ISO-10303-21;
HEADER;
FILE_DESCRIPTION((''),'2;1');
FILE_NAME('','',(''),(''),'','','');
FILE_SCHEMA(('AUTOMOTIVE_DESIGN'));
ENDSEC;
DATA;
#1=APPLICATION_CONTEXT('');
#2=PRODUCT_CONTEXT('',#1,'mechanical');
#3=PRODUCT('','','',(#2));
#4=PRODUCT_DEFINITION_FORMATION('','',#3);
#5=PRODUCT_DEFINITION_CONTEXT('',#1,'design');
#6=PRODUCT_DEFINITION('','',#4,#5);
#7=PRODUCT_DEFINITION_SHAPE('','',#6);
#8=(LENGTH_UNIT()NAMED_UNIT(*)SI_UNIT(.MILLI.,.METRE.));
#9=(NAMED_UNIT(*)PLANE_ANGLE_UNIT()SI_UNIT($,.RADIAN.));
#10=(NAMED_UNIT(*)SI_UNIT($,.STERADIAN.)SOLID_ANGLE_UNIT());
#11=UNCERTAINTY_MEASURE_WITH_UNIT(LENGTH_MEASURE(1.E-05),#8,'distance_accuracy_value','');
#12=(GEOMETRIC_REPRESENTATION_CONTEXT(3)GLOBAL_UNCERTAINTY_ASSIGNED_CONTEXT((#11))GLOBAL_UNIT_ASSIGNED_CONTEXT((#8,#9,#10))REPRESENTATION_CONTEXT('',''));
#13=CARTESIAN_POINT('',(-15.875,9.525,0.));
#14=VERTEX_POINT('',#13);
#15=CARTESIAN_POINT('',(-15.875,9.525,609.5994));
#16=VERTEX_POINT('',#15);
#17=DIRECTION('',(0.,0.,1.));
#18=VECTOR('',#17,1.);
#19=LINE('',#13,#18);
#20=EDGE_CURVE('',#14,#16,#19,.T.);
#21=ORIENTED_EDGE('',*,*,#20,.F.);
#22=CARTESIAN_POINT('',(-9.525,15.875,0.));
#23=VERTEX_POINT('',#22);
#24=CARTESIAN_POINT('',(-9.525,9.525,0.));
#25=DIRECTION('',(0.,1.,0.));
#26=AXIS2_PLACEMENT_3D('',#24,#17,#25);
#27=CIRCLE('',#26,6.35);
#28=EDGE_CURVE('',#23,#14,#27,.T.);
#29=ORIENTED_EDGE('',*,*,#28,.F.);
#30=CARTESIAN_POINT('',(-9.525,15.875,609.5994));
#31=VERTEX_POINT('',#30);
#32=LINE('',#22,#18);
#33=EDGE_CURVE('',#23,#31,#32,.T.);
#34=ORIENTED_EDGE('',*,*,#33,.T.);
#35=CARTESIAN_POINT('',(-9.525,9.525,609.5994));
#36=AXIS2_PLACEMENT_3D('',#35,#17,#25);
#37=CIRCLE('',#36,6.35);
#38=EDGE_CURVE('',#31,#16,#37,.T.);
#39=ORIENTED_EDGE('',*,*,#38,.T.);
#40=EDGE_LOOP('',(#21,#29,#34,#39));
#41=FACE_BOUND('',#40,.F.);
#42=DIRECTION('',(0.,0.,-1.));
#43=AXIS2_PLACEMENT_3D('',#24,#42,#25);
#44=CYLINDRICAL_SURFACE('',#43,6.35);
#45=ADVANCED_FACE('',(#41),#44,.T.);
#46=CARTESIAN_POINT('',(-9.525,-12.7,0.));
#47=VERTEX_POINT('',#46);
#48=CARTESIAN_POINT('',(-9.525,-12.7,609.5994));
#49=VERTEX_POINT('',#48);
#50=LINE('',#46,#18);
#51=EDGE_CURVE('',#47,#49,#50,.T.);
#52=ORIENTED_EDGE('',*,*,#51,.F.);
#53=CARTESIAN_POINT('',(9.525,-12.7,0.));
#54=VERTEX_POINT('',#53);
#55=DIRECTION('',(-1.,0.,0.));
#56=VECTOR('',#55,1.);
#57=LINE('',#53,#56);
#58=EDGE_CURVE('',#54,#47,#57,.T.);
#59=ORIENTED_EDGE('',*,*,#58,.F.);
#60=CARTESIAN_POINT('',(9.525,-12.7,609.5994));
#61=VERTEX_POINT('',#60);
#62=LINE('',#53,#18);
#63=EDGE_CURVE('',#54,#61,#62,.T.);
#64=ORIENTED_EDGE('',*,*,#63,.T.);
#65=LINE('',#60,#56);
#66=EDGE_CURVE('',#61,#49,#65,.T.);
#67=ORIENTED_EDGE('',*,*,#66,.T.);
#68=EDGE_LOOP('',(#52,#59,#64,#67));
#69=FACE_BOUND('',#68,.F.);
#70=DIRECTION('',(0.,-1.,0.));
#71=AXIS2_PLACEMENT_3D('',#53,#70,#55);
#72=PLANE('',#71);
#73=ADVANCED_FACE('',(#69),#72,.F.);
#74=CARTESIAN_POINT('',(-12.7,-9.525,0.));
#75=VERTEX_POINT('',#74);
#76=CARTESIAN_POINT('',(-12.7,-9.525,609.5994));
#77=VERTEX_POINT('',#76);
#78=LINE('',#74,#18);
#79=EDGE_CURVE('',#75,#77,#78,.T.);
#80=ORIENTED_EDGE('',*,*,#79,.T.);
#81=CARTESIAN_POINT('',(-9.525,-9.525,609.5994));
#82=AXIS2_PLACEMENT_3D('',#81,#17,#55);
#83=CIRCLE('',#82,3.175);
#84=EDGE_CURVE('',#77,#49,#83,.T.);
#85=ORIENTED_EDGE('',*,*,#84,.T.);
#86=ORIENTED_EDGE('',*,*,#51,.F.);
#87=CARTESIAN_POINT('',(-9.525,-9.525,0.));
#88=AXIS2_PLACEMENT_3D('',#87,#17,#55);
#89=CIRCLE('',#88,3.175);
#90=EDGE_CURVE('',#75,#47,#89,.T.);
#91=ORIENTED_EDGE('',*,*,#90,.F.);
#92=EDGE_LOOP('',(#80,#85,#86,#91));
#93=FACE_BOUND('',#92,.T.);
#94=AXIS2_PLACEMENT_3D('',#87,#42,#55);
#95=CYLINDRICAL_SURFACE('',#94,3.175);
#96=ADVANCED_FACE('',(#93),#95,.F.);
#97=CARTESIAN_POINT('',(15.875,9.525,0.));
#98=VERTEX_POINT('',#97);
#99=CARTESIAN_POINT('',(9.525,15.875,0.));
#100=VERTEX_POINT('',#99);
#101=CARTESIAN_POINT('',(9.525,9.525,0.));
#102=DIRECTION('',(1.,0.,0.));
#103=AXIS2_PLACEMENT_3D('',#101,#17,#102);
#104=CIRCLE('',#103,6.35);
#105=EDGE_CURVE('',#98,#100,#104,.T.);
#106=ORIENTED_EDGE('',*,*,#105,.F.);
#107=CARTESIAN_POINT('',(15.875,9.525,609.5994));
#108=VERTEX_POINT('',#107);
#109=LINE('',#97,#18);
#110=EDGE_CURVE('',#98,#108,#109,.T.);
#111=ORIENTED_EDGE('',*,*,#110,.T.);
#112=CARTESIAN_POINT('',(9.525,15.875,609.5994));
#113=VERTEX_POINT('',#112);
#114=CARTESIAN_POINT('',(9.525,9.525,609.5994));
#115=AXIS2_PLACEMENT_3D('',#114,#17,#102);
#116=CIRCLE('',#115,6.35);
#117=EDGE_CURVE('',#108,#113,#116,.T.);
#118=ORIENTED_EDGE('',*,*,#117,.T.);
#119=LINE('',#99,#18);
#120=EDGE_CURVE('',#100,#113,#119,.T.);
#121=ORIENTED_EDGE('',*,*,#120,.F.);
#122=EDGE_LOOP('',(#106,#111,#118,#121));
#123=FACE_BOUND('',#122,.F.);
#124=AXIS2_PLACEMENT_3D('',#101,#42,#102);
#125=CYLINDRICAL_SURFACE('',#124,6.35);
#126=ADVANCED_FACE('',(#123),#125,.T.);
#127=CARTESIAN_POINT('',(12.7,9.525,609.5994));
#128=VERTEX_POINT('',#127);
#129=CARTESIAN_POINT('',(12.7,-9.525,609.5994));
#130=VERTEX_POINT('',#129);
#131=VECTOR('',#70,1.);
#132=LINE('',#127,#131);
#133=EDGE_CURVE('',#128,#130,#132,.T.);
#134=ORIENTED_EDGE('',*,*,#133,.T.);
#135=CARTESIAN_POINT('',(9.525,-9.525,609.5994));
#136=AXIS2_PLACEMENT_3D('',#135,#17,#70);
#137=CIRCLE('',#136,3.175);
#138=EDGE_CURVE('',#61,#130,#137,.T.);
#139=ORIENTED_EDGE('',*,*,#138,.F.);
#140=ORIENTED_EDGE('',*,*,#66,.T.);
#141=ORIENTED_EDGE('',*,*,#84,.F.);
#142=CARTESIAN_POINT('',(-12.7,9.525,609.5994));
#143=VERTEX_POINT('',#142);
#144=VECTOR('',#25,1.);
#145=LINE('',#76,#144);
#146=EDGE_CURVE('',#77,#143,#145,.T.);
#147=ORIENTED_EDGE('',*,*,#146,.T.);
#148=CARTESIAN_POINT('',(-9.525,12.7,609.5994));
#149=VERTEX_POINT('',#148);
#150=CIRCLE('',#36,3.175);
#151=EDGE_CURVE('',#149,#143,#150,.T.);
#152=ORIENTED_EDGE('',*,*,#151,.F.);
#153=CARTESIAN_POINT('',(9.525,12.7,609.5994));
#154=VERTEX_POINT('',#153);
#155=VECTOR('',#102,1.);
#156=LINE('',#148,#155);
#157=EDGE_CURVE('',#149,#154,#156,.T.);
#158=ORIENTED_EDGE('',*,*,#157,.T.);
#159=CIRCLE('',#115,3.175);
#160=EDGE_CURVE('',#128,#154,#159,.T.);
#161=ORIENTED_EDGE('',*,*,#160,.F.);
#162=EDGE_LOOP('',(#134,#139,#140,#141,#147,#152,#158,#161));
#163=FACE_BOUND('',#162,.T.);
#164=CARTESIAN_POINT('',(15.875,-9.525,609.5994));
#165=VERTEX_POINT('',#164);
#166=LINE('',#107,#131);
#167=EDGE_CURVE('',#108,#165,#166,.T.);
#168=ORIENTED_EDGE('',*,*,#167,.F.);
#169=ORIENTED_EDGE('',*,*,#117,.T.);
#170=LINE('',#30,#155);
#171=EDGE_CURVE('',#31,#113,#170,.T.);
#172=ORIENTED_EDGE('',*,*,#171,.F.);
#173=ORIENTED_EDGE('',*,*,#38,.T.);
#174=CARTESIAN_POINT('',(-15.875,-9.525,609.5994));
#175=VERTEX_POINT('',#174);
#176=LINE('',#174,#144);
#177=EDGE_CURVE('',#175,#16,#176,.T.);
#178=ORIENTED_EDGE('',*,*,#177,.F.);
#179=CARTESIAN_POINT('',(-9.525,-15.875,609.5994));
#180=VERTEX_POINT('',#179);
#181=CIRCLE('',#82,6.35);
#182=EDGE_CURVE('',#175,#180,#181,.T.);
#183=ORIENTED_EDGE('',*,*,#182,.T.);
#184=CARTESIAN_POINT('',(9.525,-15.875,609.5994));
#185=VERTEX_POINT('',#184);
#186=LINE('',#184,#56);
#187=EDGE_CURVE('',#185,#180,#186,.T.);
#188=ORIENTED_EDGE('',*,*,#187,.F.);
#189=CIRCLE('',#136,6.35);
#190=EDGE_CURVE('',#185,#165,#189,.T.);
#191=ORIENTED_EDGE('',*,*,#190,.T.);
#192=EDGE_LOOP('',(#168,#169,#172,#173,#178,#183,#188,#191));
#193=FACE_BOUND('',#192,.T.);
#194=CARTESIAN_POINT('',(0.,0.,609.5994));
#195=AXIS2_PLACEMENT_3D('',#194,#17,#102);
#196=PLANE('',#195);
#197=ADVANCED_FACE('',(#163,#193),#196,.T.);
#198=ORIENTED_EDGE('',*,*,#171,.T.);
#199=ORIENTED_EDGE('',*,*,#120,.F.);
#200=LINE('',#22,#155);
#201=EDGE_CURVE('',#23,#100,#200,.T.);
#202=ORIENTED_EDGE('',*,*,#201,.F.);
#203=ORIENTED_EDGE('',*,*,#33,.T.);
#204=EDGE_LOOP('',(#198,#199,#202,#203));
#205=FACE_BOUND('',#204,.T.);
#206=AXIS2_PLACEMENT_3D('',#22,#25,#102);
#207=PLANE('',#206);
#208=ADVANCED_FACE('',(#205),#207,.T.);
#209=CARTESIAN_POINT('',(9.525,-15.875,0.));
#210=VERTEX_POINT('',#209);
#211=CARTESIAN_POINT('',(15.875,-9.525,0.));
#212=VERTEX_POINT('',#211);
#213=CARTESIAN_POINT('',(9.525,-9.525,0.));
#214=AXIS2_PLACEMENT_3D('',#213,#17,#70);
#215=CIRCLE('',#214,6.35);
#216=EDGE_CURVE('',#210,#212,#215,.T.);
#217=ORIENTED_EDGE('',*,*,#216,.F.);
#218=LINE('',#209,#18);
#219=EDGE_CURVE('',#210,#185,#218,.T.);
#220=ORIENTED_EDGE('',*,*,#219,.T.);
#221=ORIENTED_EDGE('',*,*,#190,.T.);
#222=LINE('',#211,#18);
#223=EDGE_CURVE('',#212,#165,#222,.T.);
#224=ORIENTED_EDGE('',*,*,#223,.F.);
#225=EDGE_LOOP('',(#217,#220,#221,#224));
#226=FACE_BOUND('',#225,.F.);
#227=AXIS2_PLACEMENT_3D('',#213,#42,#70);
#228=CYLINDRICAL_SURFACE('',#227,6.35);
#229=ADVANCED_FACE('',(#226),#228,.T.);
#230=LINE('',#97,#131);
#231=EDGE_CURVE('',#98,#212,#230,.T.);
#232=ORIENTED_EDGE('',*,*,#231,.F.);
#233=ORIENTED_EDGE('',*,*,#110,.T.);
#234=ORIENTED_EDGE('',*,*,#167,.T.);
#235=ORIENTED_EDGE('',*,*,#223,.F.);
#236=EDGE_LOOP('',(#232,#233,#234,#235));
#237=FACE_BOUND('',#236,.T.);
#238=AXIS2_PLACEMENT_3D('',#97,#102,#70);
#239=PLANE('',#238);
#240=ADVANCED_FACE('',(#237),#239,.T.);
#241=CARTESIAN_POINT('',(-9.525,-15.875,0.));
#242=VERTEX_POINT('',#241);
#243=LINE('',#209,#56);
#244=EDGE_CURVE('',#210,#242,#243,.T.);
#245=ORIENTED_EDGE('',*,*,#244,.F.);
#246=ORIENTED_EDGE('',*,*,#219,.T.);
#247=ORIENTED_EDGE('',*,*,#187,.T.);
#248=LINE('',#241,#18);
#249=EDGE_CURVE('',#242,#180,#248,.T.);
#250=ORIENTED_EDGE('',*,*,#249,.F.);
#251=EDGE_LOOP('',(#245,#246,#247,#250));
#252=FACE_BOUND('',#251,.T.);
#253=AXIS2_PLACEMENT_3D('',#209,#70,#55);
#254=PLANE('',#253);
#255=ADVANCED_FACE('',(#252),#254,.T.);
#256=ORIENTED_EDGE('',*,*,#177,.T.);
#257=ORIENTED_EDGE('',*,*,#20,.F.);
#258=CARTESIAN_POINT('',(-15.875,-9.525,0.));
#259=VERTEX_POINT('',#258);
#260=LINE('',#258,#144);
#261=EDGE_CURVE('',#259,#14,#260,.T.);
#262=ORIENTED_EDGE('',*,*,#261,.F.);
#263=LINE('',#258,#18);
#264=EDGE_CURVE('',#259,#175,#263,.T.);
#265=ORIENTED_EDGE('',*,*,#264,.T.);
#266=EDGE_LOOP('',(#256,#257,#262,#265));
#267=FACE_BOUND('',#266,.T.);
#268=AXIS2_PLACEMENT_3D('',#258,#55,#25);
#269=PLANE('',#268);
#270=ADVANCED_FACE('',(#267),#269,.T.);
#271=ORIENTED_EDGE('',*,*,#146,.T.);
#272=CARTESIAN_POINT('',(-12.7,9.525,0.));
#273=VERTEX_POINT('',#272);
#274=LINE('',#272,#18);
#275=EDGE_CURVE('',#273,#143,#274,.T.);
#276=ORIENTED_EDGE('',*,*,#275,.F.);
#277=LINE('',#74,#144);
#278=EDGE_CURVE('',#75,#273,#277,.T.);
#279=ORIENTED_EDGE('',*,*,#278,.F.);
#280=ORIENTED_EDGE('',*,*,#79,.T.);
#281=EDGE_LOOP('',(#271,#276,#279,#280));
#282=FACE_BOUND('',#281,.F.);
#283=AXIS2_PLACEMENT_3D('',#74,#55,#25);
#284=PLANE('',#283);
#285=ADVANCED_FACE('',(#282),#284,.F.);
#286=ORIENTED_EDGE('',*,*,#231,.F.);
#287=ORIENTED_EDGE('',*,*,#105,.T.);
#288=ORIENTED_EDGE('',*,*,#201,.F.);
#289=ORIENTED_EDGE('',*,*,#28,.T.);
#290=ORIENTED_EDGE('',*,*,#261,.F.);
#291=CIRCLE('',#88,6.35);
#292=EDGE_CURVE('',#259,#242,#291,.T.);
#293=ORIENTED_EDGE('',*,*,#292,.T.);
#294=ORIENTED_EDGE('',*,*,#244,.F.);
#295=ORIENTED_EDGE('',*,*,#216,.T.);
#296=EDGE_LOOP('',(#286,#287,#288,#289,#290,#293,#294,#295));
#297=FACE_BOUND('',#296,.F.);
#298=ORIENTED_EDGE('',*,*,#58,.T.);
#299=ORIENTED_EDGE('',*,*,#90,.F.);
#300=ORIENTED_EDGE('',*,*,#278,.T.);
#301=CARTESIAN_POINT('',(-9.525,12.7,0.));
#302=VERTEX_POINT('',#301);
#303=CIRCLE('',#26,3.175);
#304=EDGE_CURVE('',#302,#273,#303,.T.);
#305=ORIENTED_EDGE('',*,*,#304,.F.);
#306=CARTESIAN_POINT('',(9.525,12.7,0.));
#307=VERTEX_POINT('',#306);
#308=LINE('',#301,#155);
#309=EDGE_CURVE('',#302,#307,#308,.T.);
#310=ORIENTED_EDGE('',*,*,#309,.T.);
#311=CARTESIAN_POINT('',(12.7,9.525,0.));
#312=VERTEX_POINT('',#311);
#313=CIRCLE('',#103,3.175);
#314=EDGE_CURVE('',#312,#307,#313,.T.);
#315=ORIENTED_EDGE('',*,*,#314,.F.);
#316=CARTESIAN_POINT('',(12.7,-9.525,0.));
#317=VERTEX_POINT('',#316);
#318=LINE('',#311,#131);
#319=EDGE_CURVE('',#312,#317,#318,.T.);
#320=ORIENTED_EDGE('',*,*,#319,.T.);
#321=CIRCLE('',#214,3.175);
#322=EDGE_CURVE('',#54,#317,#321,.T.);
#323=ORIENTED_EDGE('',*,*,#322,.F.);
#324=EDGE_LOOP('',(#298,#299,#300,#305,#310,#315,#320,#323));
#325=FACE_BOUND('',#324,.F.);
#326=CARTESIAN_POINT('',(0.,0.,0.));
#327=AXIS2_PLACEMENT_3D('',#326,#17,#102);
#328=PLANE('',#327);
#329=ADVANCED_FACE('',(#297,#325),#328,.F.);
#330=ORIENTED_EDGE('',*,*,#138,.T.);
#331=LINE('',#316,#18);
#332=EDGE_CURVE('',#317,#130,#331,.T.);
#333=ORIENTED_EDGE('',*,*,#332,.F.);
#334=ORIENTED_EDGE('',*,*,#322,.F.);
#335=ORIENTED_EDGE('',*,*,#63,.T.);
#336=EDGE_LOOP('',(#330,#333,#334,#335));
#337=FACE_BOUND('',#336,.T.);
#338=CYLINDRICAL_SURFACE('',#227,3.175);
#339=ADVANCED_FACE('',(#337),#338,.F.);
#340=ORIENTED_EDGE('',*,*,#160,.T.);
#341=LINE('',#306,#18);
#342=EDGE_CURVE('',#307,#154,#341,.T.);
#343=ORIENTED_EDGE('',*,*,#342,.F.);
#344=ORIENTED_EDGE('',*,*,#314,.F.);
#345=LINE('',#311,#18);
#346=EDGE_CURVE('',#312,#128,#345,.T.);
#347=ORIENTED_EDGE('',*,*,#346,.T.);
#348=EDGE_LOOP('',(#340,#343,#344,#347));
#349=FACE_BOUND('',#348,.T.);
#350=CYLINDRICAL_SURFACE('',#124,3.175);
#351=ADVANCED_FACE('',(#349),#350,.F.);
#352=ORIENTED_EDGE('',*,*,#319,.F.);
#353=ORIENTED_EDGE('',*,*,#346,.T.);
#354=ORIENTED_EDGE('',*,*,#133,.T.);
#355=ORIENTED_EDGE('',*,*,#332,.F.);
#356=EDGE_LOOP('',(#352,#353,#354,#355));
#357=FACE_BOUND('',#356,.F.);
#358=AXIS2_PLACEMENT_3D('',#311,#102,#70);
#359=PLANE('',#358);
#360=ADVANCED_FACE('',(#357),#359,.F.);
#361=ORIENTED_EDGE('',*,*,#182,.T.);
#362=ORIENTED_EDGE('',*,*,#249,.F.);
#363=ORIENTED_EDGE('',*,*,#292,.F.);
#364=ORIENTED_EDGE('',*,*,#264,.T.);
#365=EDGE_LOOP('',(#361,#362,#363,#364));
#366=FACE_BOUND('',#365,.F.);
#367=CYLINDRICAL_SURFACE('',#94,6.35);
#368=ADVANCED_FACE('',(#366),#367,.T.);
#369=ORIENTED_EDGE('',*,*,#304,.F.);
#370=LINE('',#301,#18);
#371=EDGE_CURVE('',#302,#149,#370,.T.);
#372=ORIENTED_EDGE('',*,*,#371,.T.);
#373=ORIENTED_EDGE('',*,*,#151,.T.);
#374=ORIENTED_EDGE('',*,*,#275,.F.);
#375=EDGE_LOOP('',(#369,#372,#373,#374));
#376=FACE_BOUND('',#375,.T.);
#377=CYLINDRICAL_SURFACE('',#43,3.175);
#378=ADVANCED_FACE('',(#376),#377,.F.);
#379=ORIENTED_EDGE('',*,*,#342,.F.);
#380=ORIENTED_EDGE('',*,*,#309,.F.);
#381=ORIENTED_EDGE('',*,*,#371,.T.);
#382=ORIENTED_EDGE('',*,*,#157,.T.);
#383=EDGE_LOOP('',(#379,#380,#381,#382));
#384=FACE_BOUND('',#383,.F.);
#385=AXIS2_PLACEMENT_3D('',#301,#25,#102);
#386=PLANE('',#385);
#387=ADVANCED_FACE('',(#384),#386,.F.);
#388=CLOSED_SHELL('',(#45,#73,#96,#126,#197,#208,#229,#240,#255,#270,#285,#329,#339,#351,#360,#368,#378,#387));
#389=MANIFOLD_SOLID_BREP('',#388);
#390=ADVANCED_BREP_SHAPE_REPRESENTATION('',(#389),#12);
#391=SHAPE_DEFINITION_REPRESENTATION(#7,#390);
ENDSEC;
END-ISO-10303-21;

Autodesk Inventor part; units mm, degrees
ref_plane "YZ Plane" through (0, 0, 0) normal (1, 0, 0) x (0, 1, 0)
ref_plane "Start plane" through (0, 0, 0) normal (0, 0, 1) x (1, 0, 0)
ref_plane "End plane" through (0, 0, 609.5994) normal (0, 0, 1) x (1, 0, 0)
sketch "Sketch" plane through (0, 0, 0) normal (0, 0, 1) x (1, 0, 0)
  line L0 (-15.875, -9.525) -> (-15.875, 9.525)
  line L1 (-9.525, 15.875) -> (9.525, 15.875)
  line L2 (15.875, 9.525) -> (15.875, -9.525)
  line L3 (9.525, -15.875) -> (-9.525, -15.875)
  arc A0 (-15.875, -9.525) -> (-9.525, -15.875) centre (-9.525, -9.525) ccw
  arc A1 (-9.525, 15.875) -> (-15.875, 9.525) centre (-9.525, 9.525) ccw
  arc A2 (15.875, 9.525) -> (9.525, 15.875) centre (9.525, 9.525) ccw
  arc A3 (9.525, -15.875) -> (15.875, -9.525) centre (9.525, -9.525) ccw
  arc A4 (-9.525, 12.7) -> (-12.7, 9.525) centre (-9.525, 9.525) ccw
  line L4 (-9.525, 12.7) -> (9.525, 12.7)
  arc A5 (12.7, 9.525) -> (9.525, 12.7) centre (9.525, 9.525) ccw
  line L5 (12.7, 9.525) -> (12.7, -9.525)
  arc A6 (9.525, -12.7) -> (12.7, -9.525) centre (9.525, -9.525) ccw
  line L6 (9.525, -12.7) -> (-9.525, -12.7)
  arc A7 (-12.7, -9.525) -> (-9.525, -12.7) centre (-9.525, -9.525) ccw
  line L7 (-12.7, -9.525) -> (-12.7, 9.525)
  line L8 (0, 24.0662) -> (0, -24.0662) construction
  line L9 (-24.0662, 0) -> (24.0662, 0) construction
  dimension "d10" = 31.75
  dimension "d11" = 31.75
  dimension "d12" = 3.175
  dimension "d15" = 15.875
  dimension "d16" = 15.875
  dimension "d17" = 6.35
extrude "Body" add sketch "Sketch" along normal up to surface (609.5994 mm away) from surface at 0
sketch "Sketch3" plane through (0, 0, 0) normal (0, 0, 1) x (1, 0, 0)
  line L0 (0, 0) -> (10, 0)
ref_plane "Work Plane3" through (0, 0, 0) normal (0, -1, 0) x (1, 0, 0)
sketch "Sketch4" plane through (0, 0, 0) normal (0, -1, 0) x (1, 0, 0)
  line L0 (-2, 0) -> (12, 0)
  line L1 (-2, 609.5994) -> (12, 609.5994)
  dimension "d19" = 609.5994
equation "\"d10\" = G_H"
equation "\"d11\" = G_W"
equation "\"d12\" = G_T"
equation "\"d15\" = 0.5 * d10"
equation "\"d16\" = 0.5 * d11"
equation "\"d17\" = G_IR"
equation "\"d3\" = G_L"
equation "\"G_W\" = 31.75"
equation "\"G_H\" = 31.75"
equation "\"G_T\" = 3.175"
equation "\"G_IR\" = 6.35"
equation "\"G_L\" = d19"
equation "\"G_OFFSET_START\" = 0"
equation "\"G_OFFSET_END\" = 0"
equation "\"d14\" = G_OFFSET_END + B_L"
equation "\"B_L\" = 609.59936"
properties part number "AISC HSS - (1 1/4x1 1/4x1/8) - 24" material "Steel, Mild"
